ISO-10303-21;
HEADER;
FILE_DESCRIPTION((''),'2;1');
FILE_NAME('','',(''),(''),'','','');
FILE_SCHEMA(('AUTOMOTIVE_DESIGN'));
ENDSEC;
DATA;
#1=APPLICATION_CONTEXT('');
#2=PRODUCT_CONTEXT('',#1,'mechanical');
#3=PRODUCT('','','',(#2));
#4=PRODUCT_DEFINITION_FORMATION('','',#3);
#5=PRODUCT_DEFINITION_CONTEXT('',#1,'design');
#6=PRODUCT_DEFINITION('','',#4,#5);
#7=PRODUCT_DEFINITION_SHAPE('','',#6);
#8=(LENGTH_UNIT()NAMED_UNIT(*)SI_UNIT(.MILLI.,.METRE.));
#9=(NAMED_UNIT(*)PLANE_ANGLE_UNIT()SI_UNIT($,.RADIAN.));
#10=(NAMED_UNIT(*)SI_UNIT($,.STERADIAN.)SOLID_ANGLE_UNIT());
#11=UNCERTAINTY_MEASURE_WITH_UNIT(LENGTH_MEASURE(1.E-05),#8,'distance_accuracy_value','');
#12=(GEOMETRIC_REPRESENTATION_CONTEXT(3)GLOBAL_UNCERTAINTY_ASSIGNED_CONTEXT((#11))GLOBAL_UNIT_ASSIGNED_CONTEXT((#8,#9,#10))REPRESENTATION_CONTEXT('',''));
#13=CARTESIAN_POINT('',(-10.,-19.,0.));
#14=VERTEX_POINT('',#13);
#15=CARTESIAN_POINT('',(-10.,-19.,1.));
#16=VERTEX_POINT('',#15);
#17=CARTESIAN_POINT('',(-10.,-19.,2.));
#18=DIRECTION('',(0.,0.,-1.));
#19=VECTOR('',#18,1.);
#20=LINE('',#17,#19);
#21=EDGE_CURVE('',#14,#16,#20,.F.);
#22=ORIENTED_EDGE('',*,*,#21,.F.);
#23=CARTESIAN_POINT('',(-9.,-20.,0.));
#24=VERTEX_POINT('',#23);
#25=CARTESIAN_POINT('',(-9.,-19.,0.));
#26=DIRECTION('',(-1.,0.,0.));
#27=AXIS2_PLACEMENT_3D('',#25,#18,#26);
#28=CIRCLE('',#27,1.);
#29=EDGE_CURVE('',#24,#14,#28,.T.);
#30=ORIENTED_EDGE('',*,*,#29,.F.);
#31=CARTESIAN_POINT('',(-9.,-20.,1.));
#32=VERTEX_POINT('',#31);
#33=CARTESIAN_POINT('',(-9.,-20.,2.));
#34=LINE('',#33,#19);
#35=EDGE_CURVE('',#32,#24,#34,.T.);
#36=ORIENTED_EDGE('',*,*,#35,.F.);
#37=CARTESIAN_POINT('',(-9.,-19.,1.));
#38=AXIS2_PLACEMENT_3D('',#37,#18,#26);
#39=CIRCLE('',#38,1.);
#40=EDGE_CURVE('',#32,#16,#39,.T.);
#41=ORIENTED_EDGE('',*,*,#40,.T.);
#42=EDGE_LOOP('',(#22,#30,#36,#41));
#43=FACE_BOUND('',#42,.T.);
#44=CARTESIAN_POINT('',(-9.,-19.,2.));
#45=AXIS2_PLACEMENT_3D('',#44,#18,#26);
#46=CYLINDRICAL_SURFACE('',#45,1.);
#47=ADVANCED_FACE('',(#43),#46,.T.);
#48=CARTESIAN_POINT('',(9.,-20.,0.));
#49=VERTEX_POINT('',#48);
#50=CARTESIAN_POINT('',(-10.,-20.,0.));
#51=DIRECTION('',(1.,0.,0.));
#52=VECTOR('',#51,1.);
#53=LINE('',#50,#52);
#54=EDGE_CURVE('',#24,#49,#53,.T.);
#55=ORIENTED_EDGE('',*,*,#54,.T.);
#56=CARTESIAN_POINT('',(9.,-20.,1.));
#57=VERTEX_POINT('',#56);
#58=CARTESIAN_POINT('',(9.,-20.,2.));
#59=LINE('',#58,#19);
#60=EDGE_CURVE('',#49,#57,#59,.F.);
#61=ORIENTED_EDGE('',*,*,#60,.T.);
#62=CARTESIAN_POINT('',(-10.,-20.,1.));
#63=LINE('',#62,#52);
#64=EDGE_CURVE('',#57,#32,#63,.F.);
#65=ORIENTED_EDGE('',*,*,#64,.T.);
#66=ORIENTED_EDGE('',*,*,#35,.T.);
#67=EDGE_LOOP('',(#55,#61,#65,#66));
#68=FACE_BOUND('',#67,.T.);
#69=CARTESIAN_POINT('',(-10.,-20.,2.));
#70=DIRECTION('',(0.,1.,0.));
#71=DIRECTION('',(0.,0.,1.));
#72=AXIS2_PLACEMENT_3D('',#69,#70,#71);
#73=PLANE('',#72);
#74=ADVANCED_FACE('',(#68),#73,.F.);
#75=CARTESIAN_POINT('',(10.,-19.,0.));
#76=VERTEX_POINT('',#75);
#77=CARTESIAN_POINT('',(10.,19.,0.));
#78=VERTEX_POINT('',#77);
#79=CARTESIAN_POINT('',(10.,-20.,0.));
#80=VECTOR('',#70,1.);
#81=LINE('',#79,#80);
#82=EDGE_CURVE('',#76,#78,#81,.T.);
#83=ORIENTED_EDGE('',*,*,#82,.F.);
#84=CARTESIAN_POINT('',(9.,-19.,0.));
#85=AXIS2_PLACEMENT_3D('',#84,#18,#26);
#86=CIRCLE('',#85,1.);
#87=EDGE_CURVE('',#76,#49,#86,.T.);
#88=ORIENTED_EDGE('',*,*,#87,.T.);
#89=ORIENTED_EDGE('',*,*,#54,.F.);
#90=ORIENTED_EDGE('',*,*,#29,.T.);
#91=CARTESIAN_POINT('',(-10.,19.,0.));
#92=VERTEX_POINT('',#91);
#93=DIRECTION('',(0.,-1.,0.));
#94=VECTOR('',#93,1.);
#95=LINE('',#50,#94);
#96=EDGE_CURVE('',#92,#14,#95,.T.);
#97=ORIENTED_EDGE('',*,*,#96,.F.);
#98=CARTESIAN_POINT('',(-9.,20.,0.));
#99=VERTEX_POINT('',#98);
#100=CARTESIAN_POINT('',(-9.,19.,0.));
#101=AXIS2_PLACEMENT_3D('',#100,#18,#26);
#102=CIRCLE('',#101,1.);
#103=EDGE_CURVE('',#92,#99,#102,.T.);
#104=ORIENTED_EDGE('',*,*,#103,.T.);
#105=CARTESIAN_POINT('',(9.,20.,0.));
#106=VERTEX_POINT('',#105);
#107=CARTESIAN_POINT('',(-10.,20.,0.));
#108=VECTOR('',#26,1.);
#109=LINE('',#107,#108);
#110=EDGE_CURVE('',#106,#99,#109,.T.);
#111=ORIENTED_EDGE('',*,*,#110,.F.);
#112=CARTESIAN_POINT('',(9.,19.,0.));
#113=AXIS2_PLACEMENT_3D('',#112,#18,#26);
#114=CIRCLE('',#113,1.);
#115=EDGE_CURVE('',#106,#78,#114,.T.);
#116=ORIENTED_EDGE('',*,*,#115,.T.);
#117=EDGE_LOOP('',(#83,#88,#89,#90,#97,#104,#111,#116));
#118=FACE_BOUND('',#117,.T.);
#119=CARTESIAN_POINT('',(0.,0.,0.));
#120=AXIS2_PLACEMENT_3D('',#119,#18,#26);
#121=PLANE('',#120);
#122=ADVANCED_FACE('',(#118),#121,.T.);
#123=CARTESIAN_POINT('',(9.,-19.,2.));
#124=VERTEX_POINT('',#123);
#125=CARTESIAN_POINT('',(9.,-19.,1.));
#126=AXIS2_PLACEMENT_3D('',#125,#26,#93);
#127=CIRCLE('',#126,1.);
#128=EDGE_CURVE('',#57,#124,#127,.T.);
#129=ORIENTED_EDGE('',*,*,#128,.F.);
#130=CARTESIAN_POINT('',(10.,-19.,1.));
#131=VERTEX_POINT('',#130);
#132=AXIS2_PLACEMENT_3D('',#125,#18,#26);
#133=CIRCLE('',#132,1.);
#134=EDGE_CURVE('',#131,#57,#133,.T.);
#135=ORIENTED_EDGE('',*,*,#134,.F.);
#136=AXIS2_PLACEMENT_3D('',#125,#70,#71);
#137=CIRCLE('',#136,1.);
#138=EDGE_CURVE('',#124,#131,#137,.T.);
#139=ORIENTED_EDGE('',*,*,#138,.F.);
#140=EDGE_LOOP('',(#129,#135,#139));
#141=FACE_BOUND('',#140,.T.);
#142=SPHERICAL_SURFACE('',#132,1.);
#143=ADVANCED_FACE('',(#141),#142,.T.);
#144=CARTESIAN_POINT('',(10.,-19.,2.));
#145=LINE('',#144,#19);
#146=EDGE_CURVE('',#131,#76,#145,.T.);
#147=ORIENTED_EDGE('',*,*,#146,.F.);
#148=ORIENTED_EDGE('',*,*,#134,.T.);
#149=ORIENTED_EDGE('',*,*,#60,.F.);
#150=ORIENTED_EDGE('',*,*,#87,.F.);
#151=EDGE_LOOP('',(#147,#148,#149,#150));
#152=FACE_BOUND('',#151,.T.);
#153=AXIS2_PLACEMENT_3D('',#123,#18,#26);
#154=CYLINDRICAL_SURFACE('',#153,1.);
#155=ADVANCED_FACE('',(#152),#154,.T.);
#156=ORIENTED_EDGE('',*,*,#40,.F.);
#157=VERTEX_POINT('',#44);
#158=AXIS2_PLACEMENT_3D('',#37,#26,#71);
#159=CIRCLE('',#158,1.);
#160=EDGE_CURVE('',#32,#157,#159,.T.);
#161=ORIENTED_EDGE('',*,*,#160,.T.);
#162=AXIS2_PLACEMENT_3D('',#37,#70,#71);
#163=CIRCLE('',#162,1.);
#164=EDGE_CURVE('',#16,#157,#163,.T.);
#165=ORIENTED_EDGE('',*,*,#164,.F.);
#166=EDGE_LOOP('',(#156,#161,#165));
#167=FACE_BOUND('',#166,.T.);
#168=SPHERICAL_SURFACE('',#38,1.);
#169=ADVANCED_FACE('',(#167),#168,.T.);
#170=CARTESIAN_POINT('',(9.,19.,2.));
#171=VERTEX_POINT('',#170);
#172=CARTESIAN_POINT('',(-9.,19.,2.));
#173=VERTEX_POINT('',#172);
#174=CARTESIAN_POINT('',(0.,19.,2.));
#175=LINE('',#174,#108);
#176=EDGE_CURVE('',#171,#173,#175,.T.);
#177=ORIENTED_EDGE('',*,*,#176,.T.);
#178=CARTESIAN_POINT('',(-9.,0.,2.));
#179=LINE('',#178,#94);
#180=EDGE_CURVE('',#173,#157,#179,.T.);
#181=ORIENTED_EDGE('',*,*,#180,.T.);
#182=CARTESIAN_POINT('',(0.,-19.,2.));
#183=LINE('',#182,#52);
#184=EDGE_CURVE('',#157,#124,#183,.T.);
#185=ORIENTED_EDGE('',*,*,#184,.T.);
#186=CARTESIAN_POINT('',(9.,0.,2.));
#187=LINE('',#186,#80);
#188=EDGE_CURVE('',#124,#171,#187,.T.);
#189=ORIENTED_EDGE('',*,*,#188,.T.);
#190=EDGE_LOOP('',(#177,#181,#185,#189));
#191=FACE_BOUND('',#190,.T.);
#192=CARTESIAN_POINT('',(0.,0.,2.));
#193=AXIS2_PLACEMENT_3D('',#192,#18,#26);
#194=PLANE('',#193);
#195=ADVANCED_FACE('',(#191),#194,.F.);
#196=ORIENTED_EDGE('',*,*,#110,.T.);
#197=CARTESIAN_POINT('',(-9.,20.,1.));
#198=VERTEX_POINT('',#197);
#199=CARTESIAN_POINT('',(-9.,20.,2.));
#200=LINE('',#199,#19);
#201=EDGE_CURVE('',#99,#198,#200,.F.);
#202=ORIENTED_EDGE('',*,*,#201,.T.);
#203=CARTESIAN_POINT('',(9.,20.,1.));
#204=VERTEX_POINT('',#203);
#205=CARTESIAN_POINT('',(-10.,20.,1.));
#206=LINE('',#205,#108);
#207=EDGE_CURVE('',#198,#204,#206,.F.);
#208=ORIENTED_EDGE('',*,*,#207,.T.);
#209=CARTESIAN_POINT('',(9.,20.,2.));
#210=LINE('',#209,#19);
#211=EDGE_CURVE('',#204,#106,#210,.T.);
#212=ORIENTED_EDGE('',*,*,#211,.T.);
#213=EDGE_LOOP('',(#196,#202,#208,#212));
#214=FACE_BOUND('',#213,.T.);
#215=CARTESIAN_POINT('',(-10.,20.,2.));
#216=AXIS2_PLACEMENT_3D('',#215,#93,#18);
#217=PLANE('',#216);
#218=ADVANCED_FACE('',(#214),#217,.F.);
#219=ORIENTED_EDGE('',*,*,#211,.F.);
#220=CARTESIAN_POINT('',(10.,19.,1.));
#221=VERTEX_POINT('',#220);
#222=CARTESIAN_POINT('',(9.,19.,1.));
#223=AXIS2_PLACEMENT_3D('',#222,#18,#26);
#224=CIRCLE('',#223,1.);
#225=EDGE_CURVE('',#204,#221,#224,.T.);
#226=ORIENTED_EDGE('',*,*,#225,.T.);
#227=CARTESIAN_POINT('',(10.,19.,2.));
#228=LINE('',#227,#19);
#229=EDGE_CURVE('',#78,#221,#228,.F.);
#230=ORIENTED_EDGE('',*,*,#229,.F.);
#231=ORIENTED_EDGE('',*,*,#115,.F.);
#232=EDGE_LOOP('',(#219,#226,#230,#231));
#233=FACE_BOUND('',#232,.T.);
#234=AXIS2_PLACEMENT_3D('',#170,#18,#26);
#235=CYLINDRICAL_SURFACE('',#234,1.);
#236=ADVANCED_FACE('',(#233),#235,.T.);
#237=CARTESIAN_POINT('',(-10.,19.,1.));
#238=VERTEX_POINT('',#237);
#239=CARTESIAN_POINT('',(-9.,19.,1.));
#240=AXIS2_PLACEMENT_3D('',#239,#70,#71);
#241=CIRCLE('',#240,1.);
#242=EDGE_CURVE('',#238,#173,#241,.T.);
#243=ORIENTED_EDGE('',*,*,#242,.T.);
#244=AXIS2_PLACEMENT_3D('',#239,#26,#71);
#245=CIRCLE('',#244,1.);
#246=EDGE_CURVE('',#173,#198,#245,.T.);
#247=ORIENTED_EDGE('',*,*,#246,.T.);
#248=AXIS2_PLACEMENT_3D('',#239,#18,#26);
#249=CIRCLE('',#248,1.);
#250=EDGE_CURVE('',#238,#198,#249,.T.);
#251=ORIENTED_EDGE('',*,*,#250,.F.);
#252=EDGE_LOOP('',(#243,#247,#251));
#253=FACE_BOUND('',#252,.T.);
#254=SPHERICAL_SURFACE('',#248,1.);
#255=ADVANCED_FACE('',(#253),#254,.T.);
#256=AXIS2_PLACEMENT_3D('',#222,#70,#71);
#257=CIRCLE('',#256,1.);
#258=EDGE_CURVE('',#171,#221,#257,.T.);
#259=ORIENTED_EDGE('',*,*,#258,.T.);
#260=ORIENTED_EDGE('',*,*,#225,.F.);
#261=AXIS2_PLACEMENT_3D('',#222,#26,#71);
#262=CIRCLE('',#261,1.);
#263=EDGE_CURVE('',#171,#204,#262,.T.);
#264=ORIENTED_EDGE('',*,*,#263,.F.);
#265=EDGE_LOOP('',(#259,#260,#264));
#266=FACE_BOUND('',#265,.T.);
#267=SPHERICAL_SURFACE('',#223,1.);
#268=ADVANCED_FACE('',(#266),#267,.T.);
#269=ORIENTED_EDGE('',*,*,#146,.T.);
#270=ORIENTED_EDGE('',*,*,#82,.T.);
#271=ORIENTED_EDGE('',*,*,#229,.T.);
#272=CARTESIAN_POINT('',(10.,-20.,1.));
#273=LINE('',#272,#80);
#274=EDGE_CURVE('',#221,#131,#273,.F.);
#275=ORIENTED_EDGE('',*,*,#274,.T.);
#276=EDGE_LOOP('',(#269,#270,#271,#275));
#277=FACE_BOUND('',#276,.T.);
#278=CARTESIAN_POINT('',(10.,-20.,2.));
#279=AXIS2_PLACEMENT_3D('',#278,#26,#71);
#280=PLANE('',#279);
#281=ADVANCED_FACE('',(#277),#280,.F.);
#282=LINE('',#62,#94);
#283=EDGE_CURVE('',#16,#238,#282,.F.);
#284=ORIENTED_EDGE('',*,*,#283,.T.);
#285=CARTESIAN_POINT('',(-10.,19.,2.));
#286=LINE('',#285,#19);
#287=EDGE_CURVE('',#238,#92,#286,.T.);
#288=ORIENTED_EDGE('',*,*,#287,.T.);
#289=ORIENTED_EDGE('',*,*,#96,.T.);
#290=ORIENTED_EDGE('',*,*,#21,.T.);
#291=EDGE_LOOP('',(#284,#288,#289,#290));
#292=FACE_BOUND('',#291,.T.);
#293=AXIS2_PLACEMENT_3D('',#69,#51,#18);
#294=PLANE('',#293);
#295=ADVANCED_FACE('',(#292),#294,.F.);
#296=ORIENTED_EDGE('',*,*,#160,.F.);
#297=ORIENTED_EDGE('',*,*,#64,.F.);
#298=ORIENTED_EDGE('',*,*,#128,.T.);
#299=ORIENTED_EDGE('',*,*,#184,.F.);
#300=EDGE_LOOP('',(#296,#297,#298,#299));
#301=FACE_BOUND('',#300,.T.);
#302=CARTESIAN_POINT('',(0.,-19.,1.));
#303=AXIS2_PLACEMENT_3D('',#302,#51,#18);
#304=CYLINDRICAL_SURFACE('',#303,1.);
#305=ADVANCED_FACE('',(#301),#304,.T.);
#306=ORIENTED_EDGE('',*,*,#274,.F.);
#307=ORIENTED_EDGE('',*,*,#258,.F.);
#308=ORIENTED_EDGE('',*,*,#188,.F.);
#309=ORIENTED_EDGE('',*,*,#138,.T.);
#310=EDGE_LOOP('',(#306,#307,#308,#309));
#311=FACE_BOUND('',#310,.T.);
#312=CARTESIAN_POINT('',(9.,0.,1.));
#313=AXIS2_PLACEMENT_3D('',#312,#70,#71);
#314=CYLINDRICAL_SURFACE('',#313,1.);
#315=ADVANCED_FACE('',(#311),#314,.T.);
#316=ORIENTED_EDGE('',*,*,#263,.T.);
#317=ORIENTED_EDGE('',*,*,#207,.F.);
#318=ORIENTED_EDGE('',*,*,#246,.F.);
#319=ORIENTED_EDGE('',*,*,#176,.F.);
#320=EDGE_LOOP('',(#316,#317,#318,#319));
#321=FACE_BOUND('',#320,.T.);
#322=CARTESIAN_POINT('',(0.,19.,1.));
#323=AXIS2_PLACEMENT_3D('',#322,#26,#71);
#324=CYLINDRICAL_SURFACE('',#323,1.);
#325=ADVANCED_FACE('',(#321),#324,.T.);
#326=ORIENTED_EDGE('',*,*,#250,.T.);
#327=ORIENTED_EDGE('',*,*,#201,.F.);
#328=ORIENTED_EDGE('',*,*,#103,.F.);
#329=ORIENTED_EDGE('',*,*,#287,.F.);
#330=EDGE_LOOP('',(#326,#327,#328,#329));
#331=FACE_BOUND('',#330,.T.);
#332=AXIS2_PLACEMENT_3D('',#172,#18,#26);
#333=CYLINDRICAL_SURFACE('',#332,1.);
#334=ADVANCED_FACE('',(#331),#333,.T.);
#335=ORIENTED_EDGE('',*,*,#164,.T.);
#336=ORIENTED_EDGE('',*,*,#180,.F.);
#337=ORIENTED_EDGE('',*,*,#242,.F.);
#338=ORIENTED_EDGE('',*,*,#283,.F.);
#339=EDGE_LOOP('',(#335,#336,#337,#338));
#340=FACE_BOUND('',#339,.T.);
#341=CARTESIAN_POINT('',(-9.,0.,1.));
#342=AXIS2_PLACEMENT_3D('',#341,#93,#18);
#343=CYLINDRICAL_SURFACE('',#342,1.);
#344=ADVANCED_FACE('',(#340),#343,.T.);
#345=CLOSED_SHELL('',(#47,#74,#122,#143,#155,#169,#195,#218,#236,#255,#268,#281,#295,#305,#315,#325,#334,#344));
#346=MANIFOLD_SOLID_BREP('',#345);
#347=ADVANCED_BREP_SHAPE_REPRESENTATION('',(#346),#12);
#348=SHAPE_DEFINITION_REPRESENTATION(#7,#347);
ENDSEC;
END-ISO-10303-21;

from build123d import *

# Parameters (mm, degrees)
CAP_SKETCH_W            = 20
CAP_SKETCH_H            = 40
EXTRUDE_THICKNESS_DEPTH = 2
CORNER_FILLETS_R        = 1
TOP_EDGE_FILLET_R       = 1


with BuildPart() as part:
    # Cap Sketch → Extrude Thickness (new body)
    with BuildSketch(Plane.XY):
        Rectangle(CAP_SKETCH_W, CAP_SKETCH_H)
    extrude(amount=EXTRUDE_THICKNESS_DEPTH)

    # Corner Fillets
    corner_fillets_edges = [part.edges().sort_by_distance(p)[0] for p in [
        (10, -20, 1),
        (-10, -20, 1),
        (-10, 20, 1),
        (10, 20, 1),
    ]]
    fillet(corner_fillets_edges, radius=CORNER_FILLETS_R)

    # Top Edge Fillet
    top_edge_fillet_edges = [part.edges().sort_by_distance(p)[0] for p in [
        (0, -20, 2),
        (-10, 0, 2),
        (10, 0, 2),
        (0, 20, 2),
        (9.707106781, -19.707106781, 2),
        (9.707106781, 19.707106781, 2),
        (-9.707106781, 19.707106781, 2),
        (-9.707106781, -19.707106781, 2),
    ]]
    fillet(top_edge_fillet_edges, radius=TOP_EDGE_FILLET_R)


solid = part.part
